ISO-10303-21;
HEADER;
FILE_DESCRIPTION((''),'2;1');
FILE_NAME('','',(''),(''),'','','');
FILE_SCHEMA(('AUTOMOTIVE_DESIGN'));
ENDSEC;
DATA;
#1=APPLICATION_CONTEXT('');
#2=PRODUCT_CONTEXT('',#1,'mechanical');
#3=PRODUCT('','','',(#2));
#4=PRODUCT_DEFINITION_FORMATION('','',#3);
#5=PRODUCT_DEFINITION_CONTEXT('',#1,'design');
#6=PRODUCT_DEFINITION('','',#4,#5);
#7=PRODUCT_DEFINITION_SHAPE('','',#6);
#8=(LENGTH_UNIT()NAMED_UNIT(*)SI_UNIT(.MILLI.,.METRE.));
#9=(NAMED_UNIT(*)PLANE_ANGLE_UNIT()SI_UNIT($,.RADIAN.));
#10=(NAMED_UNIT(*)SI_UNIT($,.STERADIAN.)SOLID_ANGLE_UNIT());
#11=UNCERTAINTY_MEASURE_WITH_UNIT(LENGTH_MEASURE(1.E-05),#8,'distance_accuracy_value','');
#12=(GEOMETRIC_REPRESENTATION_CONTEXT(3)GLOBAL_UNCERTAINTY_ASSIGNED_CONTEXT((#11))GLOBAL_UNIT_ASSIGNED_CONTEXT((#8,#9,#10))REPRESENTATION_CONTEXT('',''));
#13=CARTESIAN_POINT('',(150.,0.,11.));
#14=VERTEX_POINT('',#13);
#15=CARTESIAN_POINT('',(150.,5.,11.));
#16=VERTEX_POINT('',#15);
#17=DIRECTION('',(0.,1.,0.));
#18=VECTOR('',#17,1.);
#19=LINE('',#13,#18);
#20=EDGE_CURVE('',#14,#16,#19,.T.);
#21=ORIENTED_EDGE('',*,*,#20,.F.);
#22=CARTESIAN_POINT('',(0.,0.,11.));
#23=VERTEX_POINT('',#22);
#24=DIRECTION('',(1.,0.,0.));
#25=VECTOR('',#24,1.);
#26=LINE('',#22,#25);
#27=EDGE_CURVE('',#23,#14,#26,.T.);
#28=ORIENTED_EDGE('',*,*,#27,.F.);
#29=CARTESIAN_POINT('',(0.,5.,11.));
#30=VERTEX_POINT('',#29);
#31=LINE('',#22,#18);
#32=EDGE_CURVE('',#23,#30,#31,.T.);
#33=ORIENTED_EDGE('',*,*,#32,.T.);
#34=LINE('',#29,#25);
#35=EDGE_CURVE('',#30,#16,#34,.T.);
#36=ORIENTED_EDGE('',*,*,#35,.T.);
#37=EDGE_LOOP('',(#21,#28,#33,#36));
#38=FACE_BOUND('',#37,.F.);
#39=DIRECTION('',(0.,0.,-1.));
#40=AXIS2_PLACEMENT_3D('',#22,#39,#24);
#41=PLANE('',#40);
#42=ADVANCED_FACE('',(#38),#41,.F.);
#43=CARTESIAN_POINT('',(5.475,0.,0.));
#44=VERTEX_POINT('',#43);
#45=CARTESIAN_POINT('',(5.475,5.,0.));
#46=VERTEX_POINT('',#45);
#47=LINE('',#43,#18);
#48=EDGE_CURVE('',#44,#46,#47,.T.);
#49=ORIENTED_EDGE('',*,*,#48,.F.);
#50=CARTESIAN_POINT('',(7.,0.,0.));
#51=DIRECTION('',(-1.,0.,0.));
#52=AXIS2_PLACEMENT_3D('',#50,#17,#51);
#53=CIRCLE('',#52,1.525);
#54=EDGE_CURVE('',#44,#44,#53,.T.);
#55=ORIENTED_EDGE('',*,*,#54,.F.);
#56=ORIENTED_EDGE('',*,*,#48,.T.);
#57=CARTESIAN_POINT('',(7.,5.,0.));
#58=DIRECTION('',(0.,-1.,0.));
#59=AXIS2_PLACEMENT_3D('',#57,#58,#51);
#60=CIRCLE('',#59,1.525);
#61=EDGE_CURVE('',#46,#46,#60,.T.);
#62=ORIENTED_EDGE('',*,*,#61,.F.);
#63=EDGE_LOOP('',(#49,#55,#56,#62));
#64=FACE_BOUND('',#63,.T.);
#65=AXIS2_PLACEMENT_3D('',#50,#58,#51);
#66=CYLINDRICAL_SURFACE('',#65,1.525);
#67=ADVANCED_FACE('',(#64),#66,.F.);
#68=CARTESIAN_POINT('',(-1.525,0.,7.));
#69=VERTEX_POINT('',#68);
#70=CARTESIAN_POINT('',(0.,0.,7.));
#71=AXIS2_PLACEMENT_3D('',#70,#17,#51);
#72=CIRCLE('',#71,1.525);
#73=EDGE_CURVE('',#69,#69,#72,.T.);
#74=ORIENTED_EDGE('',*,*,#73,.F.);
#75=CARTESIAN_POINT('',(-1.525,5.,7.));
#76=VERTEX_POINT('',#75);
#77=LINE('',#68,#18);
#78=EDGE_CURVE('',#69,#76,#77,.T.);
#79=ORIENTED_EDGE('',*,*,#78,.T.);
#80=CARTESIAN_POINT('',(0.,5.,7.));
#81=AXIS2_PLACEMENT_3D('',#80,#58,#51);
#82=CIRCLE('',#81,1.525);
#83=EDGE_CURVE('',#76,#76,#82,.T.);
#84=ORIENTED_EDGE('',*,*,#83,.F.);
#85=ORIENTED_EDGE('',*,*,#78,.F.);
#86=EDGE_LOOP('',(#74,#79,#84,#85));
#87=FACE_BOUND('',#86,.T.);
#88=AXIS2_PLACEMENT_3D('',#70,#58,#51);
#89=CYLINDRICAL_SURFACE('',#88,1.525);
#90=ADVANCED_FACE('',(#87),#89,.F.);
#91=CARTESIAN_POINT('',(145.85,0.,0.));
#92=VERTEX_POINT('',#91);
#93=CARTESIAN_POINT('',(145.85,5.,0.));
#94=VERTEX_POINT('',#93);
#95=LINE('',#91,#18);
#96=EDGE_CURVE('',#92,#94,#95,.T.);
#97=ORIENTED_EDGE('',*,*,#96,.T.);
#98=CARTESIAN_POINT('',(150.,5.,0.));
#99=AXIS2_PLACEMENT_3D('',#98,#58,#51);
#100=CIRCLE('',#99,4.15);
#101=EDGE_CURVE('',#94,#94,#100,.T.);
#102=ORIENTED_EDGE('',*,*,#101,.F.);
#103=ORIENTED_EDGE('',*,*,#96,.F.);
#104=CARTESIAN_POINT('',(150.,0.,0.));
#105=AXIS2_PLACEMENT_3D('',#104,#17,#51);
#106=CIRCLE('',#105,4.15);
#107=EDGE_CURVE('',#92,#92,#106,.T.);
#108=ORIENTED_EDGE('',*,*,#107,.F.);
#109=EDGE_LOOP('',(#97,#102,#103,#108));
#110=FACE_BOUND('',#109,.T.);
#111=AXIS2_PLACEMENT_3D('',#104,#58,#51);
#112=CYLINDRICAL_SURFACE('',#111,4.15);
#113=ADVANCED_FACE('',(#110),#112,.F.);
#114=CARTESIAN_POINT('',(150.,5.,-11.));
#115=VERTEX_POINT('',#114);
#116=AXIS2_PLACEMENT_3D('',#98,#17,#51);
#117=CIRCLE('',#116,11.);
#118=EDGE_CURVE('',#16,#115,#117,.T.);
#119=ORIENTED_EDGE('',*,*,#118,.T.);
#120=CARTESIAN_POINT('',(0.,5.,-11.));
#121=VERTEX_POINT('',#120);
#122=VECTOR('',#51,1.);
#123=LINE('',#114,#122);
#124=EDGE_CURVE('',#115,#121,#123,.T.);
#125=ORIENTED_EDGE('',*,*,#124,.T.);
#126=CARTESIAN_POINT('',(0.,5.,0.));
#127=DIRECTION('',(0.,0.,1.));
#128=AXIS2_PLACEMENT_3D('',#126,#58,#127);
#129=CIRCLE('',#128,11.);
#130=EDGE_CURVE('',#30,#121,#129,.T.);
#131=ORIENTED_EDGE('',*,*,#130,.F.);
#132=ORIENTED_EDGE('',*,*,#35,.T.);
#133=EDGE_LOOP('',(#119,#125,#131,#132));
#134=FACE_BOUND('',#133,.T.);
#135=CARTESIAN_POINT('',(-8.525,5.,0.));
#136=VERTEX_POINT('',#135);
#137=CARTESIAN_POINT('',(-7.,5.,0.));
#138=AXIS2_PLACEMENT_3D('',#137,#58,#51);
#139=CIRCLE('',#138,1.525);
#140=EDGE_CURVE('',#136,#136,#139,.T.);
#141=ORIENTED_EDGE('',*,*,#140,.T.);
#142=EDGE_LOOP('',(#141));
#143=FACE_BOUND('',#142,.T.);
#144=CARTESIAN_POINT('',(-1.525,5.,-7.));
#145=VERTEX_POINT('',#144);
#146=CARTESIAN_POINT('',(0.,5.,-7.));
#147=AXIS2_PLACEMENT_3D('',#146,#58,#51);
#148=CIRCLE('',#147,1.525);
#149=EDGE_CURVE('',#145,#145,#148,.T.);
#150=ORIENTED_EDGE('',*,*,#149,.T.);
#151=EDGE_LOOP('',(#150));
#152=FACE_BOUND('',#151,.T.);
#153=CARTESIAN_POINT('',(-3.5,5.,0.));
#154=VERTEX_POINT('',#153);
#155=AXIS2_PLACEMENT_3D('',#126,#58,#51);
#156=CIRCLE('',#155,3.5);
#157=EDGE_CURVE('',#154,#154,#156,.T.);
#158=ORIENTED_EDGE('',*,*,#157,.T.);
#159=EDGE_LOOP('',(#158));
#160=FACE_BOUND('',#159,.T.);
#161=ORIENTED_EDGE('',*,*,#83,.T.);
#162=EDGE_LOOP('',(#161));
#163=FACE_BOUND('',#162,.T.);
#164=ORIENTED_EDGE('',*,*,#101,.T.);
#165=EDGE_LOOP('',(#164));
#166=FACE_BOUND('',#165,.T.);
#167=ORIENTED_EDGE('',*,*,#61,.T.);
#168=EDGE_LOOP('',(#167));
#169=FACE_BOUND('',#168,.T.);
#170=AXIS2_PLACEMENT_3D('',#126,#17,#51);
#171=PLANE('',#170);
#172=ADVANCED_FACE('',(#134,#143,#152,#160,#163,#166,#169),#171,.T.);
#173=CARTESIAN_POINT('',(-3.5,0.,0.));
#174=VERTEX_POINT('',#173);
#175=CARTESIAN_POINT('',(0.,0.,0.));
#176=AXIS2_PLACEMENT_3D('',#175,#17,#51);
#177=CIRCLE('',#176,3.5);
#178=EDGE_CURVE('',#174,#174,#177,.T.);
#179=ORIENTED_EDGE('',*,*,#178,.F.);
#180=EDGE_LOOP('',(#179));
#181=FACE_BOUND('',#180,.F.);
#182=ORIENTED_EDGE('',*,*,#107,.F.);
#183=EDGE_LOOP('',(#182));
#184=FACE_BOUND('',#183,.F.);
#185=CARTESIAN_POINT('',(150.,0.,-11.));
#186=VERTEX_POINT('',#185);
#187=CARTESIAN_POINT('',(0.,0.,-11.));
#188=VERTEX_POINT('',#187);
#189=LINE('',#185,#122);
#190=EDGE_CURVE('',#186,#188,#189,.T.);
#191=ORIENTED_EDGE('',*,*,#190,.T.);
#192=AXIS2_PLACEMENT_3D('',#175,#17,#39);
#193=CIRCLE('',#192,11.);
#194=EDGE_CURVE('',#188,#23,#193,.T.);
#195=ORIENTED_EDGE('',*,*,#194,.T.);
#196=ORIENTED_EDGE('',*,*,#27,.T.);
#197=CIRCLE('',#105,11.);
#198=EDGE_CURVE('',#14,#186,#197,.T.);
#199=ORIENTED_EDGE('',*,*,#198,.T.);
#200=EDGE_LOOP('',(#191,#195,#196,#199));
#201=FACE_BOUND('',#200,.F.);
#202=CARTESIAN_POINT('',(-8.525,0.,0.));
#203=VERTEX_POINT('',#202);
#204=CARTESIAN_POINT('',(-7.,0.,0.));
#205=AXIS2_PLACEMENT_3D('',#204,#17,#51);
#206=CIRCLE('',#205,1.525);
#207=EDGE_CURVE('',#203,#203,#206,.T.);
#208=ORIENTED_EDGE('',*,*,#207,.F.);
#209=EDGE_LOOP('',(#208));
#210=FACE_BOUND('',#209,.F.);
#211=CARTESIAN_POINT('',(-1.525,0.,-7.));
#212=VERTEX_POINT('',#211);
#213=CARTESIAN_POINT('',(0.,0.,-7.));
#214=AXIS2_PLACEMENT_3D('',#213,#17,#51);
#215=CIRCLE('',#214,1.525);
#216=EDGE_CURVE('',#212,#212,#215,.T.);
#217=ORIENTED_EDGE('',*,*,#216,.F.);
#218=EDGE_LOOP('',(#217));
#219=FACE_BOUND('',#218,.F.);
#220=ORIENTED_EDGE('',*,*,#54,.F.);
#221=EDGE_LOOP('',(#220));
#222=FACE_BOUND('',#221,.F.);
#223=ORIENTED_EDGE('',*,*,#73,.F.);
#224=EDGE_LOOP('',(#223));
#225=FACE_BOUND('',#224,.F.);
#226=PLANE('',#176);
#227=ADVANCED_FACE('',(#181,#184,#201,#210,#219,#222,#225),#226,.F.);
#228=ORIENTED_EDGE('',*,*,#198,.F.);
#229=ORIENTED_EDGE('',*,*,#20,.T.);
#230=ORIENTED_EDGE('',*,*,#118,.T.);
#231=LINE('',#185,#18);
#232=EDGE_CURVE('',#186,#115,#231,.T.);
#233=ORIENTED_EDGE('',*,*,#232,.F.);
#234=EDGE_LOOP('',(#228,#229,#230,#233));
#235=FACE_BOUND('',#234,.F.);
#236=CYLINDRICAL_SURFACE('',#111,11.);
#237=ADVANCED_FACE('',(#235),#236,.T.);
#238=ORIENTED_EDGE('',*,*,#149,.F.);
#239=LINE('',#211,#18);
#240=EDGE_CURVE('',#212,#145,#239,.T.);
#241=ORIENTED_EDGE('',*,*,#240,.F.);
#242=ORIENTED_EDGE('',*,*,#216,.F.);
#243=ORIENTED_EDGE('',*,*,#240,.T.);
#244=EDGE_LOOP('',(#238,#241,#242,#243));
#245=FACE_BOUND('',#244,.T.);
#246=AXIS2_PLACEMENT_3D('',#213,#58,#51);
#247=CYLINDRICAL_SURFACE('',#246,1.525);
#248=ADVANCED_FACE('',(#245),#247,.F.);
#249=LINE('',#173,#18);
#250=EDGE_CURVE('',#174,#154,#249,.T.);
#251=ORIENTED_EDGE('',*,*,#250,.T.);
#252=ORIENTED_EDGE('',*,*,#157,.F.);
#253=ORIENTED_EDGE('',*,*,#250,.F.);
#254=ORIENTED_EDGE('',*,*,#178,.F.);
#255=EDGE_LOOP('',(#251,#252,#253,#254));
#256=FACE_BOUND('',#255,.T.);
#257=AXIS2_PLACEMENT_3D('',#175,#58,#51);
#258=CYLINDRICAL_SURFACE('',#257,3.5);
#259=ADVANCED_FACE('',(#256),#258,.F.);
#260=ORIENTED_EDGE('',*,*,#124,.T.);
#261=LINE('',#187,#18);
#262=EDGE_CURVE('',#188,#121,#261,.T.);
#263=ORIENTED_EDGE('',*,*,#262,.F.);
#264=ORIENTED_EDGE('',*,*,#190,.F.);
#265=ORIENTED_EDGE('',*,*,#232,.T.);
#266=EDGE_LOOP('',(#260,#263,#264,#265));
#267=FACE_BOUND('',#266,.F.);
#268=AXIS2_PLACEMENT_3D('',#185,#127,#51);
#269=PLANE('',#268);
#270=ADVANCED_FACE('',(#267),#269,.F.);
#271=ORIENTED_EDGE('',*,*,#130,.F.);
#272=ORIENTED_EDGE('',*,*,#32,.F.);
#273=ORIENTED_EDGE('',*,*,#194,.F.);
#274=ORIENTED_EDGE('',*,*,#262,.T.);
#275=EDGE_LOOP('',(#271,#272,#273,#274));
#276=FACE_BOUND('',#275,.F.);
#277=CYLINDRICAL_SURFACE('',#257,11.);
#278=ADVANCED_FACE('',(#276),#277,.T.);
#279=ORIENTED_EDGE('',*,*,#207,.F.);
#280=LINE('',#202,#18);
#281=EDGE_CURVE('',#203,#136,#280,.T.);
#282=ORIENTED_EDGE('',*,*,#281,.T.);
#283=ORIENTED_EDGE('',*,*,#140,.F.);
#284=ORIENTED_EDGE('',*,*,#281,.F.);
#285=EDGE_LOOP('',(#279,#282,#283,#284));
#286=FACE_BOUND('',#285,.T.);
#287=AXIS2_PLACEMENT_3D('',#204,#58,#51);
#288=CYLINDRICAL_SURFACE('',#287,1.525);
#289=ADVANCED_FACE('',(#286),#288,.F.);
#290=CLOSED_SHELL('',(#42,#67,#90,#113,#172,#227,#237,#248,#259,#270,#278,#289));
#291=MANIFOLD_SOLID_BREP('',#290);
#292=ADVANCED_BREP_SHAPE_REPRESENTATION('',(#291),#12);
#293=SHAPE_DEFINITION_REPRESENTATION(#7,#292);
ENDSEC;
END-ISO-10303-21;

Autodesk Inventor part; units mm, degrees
ref_plane "YZ Plane" through (0, 0, 0) normal (1, 0, 0) x (0, 1, 0)
ref_plane "XZ Plane" through (0, 0, 0) normal (0, 1, 0) x (-1, 0, 0)
ref_plane "XY Plane" through (0, 0, 0) normal (0, 0, 1) x (1, 0, 0)
sketch "草图1" plane through (0, 0, 0) normal (0, 1, 0) x (-1, 0, 0)
  circle A0 centre (0, 0) radius 11
  line L0 (0, 11) -> (-150, 11)
  line L1 (-150, 11) -> (-150, -11)
  line L2 (-150, -11) -> (0, -11)
  line L3 (0, -11) -> (0, 11)
  circle A1 centre (0, 0) radius 3.5
  circle A2 centre (0, 0) radius 7
  circle A3 centre (7, 0) radius 1.525
  circle A4 centre (0, 7) radius 1.525
  circle A5 centre (-7, 0) radius 1.525
  circle A6 centre (0, -7) radius 1.525
  line L4 (7, 0) -> (-7, 0)
  circle A7 centre (-150, 0) radius 11
  circle A8 centre (-150, 0) radius 4.15
  point P0 (0, 0)
  point P1 (0, -11)
  dimension "d1" = 22
  dimension "d0" = 7
  dimension "d2" = 14
  dimension "d3" = 3.05
  dimension "d4" = 3.05
  dimension "d5" = 3.05
  dimension "d6" = 3.05
  dimension "d7" = 150
  dimension "d8" = 8.3
extrude "拉伸1" add sketch "草图1" along normal blind 5 contours A0 L3 A6 A2 A3 A4 | L3 A4 A2 A5 A6 A0 | A0 L2 A7 L0 | A7 L1 A8 | L1 A8 A7 | A4 L3 A1 L4 A5 A2 | A2 A5 L4 A1 L3 A6 | A4 A2 A3 L4 A1 L3 | L3 A1 L4 A3 A2 A6
properties part number "leg1"
